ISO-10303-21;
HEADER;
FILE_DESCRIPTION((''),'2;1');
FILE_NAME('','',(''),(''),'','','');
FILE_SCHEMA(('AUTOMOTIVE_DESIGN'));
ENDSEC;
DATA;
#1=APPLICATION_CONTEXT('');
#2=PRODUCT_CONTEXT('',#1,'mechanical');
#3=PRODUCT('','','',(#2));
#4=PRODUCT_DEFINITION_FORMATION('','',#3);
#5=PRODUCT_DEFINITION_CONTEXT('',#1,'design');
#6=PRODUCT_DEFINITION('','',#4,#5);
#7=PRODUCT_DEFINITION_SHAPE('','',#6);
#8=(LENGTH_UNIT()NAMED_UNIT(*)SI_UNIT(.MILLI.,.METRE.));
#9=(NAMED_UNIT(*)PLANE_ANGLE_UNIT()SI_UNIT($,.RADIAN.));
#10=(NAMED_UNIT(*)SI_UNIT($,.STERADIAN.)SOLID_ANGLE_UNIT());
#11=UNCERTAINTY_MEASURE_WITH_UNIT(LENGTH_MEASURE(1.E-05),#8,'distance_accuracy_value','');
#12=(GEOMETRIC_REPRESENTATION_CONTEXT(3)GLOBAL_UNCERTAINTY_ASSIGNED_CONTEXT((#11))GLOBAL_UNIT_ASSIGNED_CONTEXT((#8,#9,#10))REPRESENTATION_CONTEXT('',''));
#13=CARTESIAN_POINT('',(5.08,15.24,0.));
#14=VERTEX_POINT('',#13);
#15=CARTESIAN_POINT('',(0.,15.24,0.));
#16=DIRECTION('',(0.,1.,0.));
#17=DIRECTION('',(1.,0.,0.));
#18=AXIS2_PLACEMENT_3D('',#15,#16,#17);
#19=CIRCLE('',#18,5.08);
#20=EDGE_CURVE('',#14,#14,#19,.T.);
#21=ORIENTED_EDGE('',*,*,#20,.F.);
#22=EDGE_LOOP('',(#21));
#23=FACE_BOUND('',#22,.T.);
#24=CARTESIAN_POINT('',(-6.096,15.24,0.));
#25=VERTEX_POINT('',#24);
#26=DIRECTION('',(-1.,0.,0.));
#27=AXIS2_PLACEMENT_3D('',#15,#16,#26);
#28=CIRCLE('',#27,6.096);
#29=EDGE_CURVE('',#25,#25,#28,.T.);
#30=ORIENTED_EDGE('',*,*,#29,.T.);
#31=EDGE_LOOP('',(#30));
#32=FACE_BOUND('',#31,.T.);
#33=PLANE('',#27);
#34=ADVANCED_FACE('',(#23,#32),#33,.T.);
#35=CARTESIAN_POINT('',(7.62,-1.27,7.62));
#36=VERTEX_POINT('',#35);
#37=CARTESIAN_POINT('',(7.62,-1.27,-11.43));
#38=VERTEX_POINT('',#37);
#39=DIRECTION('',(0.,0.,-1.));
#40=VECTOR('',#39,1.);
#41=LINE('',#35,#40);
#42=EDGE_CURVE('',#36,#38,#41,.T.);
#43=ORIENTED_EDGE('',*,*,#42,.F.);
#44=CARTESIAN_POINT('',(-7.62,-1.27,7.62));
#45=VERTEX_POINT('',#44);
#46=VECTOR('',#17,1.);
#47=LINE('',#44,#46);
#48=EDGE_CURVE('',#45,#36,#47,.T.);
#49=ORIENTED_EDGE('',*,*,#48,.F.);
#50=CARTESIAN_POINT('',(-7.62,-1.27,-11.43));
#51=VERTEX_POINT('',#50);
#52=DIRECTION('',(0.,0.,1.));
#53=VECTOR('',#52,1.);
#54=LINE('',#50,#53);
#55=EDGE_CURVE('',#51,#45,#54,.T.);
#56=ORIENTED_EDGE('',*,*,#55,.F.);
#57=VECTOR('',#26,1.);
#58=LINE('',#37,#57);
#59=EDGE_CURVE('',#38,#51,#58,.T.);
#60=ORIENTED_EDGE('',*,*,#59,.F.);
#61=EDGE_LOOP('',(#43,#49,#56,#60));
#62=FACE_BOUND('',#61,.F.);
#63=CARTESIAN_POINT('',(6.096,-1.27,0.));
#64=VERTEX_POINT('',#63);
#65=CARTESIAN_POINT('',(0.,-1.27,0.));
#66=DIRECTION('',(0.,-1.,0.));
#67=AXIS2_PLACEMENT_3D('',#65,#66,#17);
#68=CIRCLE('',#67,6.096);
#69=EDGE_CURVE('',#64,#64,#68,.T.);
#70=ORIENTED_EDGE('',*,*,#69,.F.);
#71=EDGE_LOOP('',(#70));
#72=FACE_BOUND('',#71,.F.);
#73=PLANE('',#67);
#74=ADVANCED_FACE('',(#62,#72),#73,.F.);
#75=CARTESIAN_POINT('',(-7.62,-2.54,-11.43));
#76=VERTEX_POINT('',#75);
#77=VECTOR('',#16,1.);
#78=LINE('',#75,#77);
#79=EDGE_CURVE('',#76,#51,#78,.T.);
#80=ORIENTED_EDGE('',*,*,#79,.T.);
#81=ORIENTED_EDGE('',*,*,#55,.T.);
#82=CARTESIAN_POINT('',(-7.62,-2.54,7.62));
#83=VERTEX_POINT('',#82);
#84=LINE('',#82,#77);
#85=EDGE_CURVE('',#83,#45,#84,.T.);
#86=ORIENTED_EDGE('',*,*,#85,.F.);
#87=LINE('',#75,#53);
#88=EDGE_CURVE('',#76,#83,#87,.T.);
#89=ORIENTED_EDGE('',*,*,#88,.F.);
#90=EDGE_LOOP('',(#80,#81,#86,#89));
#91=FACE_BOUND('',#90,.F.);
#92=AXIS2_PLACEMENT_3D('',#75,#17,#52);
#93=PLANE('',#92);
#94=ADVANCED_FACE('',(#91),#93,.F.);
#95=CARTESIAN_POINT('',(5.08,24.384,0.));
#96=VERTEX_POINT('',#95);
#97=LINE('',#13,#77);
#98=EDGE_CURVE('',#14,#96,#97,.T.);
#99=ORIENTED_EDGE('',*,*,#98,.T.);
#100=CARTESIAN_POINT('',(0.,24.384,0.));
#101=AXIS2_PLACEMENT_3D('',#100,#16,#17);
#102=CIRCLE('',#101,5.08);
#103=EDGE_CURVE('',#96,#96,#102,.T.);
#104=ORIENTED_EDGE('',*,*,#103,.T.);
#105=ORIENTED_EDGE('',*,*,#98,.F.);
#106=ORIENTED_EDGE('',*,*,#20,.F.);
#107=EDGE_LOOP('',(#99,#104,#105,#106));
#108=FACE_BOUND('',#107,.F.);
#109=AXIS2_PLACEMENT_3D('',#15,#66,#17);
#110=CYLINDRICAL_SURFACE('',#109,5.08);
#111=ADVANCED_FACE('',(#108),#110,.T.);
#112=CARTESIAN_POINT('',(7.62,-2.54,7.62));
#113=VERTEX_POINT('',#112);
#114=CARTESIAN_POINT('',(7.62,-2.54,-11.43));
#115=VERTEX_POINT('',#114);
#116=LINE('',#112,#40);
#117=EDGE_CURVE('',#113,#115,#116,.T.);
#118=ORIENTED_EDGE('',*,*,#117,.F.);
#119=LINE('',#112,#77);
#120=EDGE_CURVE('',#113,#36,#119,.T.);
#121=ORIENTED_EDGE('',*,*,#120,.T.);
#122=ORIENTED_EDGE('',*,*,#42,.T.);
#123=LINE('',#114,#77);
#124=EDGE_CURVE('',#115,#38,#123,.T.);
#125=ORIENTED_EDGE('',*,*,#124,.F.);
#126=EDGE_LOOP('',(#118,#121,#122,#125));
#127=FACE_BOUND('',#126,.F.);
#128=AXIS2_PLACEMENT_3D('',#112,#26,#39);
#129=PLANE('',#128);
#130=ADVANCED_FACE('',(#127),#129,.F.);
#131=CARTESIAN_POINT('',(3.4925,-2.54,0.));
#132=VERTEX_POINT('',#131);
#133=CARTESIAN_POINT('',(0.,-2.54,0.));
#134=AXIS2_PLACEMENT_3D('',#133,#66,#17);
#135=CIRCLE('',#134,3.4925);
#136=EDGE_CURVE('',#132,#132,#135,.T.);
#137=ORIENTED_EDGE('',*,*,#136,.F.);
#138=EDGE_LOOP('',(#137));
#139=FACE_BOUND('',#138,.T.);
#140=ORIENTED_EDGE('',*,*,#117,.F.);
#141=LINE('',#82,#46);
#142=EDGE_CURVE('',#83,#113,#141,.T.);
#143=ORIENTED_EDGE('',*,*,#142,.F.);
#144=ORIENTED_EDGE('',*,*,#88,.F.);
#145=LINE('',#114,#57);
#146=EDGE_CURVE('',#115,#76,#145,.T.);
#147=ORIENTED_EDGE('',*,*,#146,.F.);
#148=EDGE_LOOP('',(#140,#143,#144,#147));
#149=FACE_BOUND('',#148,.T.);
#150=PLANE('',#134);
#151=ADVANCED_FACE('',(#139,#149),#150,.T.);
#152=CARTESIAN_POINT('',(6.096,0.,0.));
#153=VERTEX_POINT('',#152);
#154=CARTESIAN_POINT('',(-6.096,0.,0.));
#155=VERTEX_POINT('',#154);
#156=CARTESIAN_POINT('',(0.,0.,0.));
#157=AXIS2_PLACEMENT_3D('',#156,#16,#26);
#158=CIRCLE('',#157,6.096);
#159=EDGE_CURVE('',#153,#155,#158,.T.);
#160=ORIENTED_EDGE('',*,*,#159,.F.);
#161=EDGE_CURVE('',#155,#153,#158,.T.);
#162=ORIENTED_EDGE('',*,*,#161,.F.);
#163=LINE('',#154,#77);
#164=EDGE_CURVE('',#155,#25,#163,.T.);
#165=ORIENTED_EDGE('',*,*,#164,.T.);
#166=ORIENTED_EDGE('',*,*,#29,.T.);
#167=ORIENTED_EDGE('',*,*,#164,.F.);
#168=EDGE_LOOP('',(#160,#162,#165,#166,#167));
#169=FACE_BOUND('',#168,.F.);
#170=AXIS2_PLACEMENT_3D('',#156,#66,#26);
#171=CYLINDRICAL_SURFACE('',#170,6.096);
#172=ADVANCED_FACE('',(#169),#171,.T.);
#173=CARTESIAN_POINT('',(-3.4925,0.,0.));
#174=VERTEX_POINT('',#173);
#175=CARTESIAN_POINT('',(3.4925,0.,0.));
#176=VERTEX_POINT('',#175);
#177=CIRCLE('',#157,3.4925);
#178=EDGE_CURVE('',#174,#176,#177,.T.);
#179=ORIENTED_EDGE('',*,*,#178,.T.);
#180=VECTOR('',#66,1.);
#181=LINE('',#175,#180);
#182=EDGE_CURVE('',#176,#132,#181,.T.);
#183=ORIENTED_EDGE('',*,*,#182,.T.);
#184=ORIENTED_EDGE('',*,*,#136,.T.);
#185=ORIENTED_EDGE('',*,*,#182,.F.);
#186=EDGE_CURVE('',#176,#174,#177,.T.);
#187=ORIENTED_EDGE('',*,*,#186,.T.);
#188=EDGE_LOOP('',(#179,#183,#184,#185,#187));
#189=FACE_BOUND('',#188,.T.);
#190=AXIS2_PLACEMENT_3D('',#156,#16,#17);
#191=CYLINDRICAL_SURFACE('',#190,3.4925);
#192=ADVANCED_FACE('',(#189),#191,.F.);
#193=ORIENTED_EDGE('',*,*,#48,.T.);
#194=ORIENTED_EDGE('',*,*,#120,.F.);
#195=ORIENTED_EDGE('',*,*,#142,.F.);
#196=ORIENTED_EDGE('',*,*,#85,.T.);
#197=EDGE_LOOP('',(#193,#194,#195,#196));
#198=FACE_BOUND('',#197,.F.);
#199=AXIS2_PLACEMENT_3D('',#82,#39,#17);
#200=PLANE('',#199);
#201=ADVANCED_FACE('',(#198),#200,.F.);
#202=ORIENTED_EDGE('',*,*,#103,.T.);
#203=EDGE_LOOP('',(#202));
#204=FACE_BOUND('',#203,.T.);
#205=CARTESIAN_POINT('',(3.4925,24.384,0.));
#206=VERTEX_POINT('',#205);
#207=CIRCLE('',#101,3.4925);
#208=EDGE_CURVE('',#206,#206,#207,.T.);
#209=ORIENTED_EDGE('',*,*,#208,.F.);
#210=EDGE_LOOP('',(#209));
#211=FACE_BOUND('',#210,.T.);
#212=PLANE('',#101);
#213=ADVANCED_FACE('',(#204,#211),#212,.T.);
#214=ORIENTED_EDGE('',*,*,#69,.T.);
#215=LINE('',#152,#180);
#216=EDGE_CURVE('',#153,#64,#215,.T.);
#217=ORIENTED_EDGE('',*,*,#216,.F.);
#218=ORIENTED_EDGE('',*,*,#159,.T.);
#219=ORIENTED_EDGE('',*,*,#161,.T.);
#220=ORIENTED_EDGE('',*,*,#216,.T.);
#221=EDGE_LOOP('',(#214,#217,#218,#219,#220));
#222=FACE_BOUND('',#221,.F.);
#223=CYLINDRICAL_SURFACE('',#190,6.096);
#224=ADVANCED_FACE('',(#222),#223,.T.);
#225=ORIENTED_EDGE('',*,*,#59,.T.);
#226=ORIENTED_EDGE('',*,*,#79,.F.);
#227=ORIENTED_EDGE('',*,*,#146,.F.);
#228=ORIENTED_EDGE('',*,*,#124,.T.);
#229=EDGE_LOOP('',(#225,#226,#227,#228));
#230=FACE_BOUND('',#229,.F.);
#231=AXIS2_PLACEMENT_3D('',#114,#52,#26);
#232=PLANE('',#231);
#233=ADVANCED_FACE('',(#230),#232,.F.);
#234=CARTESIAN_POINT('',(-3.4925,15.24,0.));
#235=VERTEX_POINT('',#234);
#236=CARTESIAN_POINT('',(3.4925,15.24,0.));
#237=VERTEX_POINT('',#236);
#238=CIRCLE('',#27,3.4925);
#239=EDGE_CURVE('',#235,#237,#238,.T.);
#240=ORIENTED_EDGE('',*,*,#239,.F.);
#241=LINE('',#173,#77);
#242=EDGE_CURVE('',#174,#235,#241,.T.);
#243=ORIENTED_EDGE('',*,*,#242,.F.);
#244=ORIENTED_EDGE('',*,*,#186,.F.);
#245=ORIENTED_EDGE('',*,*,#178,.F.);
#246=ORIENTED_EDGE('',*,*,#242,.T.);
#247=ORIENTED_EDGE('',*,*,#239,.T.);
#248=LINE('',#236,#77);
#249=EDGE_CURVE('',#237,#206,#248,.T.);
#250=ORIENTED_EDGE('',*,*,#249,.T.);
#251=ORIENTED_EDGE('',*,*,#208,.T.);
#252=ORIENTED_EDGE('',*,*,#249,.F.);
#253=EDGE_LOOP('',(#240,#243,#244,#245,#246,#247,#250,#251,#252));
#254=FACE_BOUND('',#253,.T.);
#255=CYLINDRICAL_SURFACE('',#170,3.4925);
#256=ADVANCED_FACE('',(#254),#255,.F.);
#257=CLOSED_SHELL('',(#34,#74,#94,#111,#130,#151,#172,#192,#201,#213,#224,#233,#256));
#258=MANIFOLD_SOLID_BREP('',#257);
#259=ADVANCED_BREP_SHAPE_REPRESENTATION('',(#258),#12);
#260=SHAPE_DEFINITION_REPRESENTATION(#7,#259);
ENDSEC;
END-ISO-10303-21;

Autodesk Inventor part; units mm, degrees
ref_plane "YZ Plane" through (0, 0, 0) normal (1, 0, 0) x (0, 1, 0)
ref_plane "XZ Plane" through (0, 0, 0) normal (0, 1, 0) x (-1, 0, 0)
ref_plane "XY Plane" through (0, 0, 0) normal (0, 0, 1) x (1, 0, 0)
sketch "Sketch1" plane through (0, 0, 0) normal (0, 1, 0) x (-1, 0, 0)
  circle A0 centre (0, 0) radius 6.096
  circle A1 centre (0, 0) radius 3.4925
  dimension "d0" = 12.192
  dimension "d1" = 6.985
extrude "Extrusion1" add sketch "Sketch1" along normal blind 15.24
sketch "Sketch2" plane through (0, 15.24, 0) normal (0, 1, 0) x (1, 0, 0)
  circle A0 centre (0, 0) radius 3.4925 projected
  circle A1 centre (0, 0) radius 6.096 projected
  circle A2 centre (0, 0) radius 3.4925
  circle A3 centre (0, 0) radius 5.08
  dimension "d4" = 10.16
extrude "Extrusion2" add sketch "Sketch2" along normal blind 9.144 contours A3
sketch "Sketch3" plane through (0, 0, 0) normal (0, -1, 0) x (1, 0, 0)
  circle A0 centre (0, 0) radius 3.4925 projected
  circle A1 centre (0, 0) radius 6.096 projected
  circle A2 centre (0, 0) radius 3.4925
  circle A3 centre (0, 0) radius 6.096
extrude "Extrusion3" add sketch "Sketch3" along normal blind 2.54
sketch "Sketch4" plane through (0, -2.54, 0) normal (0, -1, 0) x (1, 0, 0)
  circle A0 centre (0, 0) radius 6.096 projected
  circle A1 centre (0, 0) radius 6.096
  line L0 (-7.62, 7.62) -> (7.62, 7.62)
  line L1 (7.62, 7.62) -> (7.62, -11.43)
  line L2 (7.62, -11.43) -> (-7.62, -11.43)
  line L3 (-7.62, -11.43) -> (-7.62, 7.62)
  dimension "d12" = 15.24
  dimension "d13" = 19.05
  dimension "d14" = 7.62
  dimension "d15" = 7.62
extrude "Extrusion4" add sketch "Sketch4" against normal blind 1.27
properties part number "Tube_Part"
